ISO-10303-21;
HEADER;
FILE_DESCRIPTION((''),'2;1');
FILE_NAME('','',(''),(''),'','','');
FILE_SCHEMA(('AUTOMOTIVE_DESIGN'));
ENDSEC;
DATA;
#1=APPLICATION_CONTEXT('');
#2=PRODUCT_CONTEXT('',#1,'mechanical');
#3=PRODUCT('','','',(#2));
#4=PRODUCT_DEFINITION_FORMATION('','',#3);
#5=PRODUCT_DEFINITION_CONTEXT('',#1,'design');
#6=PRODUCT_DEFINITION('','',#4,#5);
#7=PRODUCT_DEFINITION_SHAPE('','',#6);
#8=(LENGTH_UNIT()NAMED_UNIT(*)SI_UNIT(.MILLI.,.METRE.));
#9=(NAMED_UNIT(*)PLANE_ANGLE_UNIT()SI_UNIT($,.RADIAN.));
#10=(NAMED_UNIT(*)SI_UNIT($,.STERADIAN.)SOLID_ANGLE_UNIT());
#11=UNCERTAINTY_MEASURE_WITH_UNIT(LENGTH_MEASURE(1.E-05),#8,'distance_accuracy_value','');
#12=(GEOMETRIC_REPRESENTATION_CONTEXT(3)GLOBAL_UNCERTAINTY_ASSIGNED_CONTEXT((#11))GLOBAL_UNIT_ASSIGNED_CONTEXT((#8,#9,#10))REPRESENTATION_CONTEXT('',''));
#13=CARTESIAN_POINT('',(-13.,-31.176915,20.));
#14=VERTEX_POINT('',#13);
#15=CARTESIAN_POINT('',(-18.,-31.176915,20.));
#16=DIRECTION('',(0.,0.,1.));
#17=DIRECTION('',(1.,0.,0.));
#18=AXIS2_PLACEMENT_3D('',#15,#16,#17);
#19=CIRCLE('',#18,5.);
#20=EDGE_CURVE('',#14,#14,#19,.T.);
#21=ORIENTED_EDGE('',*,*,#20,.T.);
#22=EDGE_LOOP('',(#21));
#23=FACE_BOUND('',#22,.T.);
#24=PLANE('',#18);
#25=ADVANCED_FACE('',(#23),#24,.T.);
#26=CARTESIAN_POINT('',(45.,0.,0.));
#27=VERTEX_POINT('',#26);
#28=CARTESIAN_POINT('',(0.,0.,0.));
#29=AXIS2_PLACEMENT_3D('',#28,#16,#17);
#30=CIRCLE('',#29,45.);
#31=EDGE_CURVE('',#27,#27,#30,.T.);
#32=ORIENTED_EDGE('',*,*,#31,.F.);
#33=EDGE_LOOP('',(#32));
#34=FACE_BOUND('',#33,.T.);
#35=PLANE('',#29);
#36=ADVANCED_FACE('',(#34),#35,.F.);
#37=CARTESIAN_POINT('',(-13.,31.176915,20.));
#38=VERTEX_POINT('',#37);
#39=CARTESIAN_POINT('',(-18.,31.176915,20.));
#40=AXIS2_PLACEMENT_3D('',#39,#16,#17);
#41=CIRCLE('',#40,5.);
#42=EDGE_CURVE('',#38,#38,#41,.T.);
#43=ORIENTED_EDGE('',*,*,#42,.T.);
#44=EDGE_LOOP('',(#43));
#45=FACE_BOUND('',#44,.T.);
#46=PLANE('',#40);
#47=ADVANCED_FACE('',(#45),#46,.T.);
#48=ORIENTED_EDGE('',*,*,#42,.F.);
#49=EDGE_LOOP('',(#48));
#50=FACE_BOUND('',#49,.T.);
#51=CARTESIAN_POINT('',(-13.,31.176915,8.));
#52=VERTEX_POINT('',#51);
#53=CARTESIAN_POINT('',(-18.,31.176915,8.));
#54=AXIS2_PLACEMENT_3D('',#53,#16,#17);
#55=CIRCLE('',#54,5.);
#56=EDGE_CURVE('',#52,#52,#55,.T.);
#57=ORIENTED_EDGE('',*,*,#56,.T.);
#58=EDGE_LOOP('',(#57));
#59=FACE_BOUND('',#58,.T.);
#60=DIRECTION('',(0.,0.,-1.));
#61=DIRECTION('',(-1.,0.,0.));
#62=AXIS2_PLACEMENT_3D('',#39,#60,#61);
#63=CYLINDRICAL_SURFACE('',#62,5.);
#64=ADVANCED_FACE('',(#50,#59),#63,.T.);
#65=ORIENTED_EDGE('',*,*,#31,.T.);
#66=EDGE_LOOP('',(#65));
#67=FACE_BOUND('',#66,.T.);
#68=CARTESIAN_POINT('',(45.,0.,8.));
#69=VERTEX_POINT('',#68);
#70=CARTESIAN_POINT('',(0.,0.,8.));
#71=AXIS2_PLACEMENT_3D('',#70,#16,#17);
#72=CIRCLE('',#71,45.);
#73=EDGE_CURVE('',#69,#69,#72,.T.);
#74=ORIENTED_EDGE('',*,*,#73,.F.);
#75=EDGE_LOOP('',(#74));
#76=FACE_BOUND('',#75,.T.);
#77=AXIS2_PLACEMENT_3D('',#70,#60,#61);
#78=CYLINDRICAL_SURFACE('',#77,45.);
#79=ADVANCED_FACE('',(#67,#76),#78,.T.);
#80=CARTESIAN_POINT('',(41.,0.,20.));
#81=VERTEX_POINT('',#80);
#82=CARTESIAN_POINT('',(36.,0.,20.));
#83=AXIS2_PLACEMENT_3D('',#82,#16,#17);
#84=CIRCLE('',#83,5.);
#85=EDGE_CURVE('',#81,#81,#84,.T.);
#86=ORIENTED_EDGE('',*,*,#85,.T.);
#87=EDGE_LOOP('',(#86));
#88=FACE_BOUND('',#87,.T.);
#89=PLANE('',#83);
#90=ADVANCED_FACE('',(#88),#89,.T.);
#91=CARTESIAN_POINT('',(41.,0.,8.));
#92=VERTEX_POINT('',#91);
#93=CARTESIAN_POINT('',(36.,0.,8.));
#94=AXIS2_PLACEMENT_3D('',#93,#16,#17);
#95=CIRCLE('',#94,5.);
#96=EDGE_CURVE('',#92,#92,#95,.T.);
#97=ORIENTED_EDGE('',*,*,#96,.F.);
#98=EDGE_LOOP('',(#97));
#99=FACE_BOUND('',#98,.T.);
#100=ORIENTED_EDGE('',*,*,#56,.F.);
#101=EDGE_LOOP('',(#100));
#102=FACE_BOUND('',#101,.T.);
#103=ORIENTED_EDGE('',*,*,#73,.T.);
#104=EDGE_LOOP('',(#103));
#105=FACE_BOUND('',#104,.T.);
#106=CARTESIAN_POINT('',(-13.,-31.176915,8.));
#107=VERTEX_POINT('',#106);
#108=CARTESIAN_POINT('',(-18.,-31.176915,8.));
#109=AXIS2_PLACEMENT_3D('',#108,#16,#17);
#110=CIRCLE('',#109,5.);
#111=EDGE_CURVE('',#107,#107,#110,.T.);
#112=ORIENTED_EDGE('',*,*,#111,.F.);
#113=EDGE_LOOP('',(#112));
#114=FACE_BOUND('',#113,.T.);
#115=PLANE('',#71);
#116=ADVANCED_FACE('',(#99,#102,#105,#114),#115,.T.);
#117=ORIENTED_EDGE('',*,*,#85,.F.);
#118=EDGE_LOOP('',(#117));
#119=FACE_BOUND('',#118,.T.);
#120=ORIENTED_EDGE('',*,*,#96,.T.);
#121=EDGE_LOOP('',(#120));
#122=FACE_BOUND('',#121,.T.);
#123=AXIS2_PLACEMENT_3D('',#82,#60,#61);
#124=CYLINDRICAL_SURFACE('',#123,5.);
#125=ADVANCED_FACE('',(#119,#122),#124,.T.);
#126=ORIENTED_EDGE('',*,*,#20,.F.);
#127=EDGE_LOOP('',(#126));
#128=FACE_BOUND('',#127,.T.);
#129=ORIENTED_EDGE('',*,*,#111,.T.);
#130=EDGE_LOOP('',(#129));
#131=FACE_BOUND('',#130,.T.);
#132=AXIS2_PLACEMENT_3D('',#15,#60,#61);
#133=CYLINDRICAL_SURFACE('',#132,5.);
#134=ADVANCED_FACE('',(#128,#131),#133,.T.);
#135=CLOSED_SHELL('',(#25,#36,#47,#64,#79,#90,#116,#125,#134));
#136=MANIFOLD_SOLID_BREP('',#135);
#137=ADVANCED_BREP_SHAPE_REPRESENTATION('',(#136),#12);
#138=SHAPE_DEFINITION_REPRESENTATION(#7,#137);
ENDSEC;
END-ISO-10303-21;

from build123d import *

# Parameters (mm, degrees)
SKETCH1_R           = 45
BOSS_EXTRUDE1_DEPTH = 8
SKETCH2_R           = 5
BOSS_EXTRUDE2_DEPTH = 12


with BuildPart() as part:
    # Sketch1 → Boss-Extrude1 (new body)
    with BuildSketch(Plane.XY):
        Circle(SKETCH1_R)
    extrude(amount=BOSS_EXTRUDE1_DEPTH)

    # Sketch2 → Boss-Extrude2 (add)
    with BuildSketch(Plane.XY.offset(8)):
        with Locations((36, 0)):
            Circle(SKETCH2_R)
        with Locations((-18, 31.176914536)):
            Circle(SKETCH2_R)
        with Locations((-18, -31.176914536)):
            Circle(SKETCH2_R)
    extrude(amount=BOSS_EXTRUDE2_DEPTH)


solid = part.part
